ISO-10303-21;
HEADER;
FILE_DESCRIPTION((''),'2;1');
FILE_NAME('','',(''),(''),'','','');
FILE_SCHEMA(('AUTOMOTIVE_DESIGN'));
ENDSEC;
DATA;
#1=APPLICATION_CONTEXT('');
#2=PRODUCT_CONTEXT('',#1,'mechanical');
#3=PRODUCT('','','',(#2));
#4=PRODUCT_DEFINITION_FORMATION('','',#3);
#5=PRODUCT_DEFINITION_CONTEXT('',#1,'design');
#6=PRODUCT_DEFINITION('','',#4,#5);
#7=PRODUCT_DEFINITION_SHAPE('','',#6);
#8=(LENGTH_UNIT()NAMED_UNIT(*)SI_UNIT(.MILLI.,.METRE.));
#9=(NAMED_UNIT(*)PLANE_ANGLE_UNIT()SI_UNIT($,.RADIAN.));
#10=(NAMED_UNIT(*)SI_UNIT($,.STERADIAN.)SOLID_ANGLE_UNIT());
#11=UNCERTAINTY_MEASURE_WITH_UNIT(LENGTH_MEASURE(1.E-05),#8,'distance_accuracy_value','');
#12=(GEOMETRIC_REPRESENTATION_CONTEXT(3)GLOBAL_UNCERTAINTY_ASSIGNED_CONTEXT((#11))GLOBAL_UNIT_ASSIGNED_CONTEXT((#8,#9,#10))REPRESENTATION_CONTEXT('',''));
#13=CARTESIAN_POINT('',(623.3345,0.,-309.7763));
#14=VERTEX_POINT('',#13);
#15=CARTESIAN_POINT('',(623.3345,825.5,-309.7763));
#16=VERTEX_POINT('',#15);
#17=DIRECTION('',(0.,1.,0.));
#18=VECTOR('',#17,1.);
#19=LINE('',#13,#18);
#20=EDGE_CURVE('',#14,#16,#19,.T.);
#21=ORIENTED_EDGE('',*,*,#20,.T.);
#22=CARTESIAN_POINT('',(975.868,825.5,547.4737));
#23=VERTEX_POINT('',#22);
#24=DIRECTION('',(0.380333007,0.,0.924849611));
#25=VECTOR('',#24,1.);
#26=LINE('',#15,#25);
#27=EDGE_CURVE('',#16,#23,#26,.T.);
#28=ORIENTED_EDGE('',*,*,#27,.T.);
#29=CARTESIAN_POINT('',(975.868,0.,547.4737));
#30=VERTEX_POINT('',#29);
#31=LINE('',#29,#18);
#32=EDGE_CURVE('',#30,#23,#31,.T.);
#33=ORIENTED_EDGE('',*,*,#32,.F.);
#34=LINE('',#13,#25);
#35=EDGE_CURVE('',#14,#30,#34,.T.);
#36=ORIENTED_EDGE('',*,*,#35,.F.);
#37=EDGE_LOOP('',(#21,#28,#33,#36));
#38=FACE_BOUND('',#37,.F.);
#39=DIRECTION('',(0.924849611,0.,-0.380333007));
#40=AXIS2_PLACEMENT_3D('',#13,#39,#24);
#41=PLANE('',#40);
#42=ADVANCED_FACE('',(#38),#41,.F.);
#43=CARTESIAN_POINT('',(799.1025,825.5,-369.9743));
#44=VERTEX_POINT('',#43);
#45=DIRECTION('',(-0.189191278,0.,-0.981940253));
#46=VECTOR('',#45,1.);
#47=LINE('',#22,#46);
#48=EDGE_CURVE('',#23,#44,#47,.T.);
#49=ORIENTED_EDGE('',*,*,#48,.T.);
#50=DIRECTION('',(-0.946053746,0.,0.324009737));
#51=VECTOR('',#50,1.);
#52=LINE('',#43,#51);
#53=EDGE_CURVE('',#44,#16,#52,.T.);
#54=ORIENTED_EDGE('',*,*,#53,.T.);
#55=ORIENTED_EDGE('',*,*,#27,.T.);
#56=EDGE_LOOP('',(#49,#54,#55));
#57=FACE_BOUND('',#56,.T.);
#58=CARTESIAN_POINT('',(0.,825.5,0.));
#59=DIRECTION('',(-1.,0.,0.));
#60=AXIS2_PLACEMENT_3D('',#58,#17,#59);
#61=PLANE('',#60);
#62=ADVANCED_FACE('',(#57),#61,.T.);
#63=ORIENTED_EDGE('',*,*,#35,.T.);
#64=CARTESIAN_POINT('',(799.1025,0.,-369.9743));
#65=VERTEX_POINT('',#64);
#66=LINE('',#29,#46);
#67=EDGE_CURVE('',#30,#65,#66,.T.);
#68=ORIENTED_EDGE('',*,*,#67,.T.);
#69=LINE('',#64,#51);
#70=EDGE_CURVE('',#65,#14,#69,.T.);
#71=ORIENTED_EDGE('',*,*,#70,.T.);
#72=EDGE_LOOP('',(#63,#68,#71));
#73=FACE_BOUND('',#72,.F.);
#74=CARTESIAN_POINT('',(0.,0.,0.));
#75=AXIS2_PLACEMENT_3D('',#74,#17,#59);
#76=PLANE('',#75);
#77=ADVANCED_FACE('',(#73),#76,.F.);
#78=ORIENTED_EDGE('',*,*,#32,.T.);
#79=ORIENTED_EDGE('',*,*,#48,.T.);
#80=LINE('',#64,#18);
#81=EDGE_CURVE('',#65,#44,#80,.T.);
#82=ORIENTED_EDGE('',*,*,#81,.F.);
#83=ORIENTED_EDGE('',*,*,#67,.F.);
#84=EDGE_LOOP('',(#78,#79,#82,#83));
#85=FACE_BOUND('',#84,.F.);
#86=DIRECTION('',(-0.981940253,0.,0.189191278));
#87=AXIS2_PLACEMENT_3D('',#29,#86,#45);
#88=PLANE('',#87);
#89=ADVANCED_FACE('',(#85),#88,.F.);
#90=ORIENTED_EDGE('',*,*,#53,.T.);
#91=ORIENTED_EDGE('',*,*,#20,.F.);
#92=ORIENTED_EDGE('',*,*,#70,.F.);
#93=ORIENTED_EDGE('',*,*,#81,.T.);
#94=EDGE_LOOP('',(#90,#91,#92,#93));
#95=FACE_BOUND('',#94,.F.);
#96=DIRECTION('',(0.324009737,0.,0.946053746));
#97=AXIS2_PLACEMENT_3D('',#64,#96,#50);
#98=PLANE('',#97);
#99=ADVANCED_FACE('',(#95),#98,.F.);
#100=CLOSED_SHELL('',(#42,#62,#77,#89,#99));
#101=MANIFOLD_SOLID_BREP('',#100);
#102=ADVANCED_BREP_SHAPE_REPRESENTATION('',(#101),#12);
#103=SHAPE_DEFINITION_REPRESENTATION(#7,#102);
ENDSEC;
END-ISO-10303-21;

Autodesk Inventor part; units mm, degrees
ref_plane "YZ Plane" through (0, 0, 0) normal (1, 0, 0) x (0, 1, 0)
ref_plane "XZ Plane" through (0, 0, 0) normal (0, 1, 0) x (-1, 0, 0)
ref_plane "XY Plane" through (0, 0, 0) normal (0, 0, 1) x (1, 0, 0)
sketch "Sketch1" plane through (0, 0, 0) normal (0, 1, 0) x (-1, 0, 0)
  line L0 (-975.868, 547.4737) -> (-799.1025, -369.9743)
  line L1 (-799.1025, -369.9743) -> (-623.3345, -309.7763)
  line L2 (-623.3345, -309.7763) -> (-975.868, 547.4737)
  point P0 (0, 0)
  dimension "d2" = 82
  dimension "d3" = 917.448
  dimension "d4" = 175.768
  dimension "d5" = 857.25
extrude "Extrusion1" add sketch "Sketch1" along normal blind 825.5
properties part number "Ramp base"
